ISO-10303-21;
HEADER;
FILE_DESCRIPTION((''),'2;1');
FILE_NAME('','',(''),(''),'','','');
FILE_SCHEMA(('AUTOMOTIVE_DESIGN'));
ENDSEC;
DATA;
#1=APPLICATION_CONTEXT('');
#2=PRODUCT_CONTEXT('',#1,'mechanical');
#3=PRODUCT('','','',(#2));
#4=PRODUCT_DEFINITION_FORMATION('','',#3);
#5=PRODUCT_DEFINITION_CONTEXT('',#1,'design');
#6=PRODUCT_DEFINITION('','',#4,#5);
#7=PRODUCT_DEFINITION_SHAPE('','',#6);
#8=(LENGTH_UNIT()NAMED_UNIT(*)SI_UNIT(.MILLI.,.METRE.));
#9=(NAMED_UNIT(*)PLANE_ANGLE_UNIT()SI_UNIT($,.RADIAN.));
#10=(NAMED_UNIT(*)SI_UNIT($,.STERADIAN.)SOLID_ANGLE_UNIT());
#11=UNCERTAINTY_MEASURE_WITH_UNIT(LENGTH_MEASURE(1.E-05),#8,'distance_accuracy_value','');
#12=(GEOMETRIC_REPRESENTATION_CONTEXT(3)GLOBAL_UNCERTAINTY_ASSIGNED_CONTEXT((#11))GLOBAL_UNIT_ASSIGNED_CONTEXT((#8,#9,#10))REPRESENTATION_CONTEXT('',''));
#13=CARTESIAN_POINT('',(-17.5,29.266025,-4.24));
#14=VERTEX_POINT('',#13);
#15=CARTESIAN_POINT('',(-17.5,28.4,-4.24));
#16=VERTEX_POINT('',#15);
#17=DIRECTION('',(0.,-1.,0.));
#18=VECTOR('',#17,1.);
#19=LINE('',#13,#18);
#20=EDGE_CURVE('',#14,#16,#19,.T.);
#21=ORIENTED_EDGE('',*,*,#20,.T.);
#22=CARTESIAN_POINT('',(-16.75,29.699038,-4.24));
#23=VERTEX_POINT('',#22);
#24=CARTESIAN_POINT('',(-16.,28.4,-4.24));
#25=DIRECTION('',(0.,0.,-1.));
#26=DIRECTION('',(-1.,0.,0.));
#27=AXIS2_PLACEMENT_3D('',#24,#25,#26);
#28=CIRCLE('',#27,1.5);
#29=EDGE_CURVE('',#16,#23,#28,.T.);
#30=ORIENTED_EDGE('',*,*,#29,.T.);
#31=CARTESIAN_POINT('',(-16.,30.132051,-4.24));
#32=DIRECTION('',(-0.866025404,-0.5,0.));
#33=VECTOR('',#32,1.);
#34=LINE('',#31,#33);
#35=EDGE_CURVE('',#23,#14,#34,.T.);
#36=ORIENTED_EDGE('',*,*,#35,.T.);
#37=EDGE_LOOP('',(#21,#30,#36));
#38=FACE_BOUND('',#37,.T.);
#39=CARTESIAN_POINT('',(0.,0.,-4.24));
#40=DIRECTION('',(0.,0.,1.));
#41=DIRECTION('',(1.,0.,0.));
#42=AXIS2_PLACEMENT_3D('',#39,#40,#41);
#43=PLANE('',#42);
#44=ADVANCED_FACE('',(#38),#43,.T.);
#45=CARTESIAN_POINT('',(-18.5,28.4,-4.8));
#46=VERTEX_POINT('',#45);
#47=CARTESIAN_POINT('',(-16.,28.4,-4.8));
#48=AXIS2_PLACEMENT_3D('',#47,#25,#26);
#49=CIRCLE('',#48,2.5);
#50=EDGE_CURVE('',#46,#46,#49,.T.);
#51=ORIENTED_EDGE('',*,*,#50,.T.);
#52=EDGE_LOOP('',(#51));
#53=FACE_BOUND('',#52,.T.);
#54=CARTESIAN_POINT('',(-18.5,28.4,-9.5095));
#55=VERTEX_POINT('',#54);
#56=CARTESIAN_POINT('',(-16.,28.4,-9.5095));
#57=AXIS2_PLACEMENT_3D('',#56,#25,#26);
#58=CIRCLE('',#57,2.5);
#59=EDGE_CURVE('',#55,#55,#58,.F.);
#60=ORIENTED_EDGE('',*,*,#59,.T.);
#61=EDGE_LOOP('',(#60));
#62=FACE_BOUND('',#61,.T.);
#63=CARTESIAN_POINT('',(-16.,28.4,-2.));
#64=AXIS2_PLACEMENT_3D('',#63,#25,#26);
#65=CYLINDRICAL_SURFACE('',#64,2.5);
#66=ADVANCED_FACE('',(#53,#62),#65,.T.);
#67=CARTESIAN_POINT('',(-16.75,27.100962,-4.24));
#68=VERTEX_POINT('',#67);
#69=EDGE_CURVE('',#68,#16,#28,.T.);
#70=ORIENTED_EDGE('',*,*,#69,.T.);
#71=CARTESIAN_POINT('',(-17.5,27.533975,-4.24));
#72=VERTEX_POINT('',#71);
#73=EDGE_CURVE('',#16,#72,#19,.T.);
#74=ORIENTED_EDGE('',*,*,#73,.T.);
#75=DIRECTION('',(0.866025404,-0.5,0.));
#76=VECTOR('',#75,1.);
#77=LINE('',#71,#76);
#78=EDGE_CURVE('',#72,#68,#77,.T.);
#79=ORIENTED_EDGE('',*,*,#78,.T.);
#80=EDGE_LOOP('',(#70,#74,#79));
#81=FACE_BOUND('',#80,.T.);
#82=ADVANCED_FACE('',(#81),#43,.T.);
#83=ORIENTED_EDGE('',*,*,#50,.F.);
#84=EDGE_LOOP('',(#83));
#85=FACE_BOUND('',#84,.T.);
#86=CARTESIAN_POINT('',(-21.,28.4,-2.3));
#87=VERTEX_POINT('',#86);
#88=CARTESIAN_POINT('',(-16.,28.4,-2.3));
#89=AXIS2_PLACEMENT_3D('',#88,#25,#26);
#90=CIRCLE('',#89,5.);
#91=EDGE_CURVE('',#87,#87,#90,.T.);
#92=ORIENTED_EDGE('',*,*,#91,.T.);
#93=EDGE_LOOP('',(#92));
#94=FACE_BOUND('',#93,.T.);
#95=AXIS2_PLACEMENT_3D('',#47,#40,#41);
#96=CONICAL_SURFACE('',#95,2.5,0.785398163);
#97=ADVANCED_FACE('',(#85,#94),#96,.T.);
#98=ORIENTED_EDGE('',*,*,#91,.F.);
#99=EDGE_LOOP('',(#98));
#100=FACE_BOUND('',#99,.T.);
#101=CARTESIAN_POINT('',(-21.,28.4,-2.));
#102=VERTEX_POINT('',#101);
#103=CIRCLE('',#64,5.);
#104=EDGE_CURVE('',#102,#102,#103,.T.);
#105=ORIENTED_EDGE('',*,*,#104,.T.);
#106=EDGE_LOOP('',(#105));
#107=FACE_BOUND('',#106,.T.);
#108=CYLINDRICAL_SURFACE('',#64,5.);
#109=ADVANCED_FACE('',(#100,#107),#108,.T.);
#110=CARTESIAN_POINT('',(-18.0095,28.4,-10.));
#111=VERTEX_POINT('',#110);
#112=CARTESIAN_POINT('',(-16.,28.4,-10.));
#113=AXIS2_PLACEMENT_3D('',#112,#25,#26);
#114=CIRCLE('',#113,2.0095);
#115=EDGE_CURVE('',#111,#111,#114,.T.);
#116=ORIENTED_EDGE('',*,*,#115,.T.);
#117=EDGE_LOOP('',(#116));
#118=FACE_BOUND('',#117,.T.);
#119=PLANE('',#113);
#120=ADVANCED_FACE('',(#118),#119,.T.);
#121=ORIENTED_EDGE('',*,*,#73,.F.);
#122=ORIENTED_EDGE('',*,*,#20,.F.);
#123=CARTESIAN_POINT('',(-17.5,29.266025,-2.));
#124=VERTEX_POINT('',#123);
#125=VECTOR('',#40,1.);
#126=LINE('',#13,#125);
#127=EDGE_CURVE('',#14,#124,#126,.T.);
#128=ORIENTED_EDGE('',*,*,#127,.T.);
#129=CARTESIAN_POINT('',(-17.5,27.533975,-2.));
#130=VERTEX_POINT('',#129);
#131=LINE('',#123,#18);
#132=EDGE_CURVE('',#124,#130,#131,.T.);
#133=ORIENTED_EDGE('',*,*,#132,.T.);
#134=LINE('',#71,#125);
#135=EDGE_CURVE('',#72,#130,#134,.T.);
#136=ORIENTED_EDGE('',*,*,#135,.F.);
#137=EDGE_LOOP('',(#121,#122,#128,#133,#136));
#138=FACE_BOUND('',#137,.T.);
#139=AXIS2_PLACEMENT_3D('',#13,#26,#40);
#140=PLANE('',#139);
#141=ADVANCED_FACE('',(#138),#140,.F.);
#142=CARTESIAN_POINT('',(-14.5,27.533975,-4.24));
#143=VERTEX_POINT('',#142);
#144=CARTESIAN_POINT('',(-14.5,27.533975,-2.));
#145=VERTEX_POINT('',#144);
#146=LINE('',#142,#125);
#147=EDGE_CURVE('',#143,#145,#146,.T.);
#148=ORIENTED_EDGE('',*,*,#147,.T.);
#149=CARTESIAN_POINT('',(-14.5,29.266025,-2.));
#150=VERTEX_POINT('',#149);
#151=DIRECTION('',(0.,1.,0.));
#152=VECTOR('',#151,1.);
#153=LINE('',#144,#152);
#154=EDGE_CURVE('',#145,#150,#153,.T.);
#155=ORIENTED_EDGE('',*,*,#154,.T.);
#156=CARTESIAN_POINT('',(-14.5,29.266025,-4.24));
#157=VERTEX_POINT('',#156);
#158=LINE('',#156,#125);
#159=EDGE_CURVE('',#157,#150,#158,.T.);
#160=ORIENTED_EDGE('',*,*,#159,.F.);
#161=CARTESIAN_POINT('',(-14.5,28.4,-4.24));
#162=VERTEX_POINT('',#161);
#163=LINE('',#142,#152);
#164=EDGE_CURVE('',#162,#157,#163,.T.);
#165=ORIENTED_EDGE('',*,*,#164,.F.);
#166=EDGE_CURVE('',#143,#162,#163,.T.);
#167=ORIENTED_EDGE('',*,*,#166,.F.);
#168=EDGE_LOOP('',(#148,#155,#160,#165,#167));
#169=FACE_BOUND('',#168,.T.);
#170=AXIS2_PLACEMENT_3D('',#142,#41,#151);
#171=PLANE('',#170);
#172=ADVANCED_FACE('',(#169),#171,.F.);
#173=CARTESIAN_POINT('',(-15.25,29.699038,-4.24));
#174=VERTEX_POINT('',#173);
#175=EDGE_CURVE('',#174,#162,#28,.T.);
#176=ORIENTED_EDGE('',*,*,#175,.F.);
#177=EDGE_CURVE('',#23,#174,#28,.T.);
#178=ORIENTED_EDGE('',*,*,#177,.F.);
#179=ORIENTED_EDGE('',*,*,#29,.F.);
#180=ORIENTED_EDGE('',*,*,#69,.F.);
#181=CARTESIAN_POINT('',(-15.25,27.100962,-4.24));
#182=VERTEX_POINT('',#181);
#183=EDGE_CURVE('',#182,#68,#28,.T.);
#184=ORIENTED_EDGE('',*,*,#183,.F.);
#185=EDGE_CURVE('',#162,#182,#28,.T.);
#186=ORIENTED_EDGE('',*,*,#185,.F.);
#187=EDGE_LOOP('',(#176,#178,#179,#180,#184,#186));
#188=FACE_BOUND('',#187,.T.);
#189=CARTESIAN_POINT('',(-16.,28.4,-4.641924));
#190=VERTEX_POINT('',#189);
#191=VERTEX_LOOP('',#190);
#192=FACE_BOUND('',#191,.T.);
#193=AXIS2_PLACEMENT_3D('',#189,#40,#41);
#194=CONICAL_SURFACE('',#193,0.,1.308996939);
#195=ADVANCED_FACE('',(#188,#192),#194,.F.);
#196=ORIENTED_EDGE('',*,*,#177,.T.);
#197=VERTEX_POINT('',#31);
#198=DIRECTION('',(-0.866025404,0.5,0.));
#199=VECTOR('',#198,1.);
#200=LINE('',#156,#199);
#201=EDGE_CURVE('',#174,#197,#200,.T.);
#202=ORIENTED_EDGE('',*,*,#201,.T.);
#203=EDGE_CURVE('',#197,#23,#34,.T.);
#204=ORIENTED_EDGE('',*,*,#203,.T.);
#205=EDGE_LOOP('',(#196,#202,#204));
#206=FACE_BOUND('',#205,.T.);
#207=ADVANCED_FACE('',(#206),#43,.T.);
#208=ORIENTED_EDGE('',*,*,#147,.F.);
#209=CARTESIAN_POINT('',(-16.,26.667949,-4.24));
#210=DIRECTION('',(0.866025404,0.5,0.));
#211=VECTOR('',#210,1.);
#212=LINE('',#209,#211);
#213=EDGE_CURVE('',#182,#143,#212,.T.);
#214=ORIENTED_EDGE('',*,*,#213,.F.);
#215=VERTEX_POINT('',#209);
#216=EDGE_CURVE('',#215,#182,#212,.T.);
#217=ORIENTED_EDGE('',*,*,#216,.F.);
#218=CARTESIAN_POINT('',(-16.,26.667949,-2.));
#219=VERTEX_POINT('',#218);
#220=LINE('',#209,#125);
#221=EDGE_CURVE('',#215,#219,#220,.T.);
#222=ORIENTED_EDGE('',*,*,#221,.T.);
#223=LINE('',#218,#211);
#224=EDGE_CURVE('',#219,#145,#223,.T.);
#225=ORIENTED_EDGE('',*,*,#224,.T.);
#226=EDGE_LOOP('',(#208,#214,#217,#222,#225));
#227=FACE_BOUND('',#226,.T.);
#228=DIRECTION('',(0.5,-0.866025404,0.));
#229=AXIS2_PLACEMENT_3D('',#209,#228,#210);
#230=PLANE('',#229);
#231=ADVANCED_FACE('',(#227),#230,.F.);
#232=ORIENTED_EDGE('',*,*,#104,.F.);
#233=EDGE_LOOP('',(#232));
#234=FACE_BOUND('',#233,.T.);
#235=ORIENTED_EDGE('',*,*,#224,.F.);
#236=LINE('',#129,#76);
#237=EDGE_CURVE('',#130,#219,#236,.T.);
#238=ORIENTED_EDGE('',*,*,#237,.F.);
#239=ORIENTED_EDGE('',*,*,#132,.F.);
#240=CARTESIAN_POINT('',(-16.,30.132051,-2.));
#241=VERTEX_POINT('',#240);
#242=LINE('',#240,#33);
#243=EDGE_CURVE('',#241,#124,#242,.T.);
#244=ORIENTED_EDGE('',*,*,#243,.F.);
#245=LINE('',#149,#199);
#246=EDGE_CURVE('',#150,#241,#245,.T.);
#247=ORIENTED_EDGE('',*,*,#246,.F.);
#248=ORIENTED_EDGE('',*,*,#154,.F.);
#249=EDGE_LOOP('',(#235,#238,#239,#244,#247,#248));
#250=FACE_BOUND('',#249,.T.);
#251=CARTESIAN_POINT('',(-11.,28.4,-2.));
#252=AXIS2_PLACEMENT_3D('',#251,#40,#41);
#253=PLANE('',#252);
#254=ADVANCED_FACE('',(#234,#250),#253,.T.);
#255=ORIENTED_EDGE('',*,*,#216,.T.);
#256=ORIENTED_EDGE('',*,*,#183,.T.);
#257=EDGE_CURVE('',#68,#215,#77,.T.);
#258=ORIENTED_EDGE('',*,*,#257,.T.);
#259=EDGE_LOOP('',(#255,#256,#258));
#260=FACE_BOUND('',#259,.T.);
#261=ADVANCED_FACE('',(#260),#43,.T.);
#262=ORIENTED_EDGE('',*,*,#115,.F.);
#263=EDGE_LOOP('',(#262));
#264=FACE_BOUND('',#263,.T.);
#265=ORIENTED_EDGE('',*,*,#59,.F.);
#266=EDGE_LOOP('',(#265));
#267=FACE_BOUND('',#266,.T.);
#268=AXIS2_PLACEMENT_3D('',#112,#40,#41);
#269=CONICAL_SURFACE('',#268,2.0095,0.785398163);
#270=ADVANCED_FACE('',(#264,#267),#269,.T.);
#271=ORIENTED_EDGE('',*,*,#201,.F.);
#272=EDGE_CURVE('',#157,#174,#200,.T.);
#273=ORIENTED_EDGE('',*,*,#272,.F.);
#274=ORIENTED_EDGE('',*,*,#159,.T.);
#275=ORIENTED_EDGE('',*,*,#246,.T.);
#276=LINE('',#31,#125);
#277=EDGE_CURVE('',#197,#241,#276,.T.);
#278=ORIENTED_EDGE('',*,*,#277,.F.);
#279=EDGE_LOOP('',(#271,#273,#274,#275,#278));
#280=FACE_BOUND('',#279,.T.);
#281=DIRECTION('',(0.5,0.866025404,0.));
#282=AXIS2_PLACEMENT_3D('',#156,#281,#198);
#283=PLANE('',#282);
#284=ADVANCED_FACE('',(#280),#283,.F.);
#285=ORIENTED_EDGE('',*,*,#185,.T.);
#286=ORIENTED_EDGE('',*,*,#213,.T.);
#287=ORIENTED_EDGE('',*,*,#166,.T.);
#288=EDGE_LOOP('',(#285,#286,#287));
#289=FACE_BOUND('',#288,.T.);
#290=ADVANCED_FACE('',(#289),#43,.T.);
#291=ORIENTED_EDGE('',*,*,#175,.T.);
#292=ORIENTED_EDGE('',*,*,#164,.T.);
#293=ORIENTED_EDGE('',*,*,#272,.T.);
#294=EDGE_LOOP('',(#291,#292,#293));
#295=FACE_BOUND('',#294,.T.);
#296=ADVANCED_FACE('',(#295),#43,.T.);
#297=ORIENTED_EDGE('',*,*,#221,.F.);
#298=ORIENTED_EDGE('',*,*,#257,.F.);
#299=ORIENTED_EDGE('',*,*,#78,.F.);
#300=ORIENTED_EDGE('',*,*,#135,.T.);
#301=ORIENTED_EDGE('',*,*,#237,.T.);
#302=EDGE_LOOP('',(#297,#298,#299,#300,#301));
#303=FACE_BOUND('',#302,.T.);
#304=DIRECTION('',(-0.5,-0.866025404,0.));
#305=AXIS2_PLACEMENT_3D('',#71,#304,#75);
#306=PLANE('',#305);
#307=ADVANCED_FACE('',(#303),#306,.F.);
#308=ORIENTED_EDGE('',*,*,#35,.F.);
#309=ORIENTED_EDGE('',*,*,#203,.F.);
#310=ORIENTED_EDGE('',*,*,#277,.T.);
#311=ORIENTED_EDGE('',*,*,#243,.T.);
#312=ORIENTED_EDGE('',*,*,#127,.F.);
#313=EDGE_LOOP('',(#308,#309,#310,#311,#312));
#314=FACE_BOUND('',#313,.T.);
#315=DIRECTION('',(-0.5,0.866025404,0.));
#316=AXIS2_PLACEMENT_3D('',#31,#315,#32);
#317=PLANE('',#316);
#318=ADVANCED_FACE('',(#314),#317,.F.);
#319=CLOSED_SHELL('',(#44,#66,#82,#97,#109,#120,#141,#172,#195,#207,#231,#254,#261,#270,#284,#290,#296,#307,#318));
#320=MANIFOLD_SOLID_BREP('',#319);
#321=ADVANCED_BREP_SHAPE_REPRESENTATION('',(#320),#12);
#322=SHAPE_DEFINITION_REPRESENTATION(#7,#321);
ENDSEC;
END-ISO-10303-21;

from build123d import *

# Parameters (mm, degrees)
EXTRUDE1_DEPTH = 2.24
CHAMFER1_SIZE  = 0.4905


with BuildPart() as part:
    # Sketch1 → Revolve1 (revolve)
    with BuildSketch(Plane.XZ.offset(-28.4)):
        Polygon((-11, -2), (-16, -2), (-16, -10), (-13.5, -10), (-13.5, -4.8), (-11, -2.3), align=None)
    revolve(axis=Axis((-16, 28.4, -2), (0, 0, -1)))

    # Sketch2 → Extrude1 (cut)
    with BuildSketch(Plane.XY.offset(-2)):
        Polygon((-17.5, 29.266025404), (-17.5, 27.533974596), (-16, 26.667949192), (-14.5, 27.533974596), (-14.5, 29.266025404), (-16, 30.132050808), align=None)
    extrude(amount=-EXTRUDE1_DEPTH, mode=Mode.SUBTRACT)

    # Sketch3 → Cut-Revolve1 (revolve, cut)
    with BuildSketch(Plane.XZ.offset(-28.4)):
        Polygon((-14.5, -4.24), (-16, -4.24), (-16, -4.641923789), align=None)
    revolve(axis=Axis((-16, 28.4, -4.239975), (0, 0, -1)), mode=Mode.SUBTRACT)

    # Chamfer1
    chamfer1_edges = [part.edges().sort_by_distance(p)[0] for p in [
        (-18.5, 28.4, -10),
    ]]
    chamfer(chamfer1_edges, length=CHAMFER1_SIZE)


solid = part.part
